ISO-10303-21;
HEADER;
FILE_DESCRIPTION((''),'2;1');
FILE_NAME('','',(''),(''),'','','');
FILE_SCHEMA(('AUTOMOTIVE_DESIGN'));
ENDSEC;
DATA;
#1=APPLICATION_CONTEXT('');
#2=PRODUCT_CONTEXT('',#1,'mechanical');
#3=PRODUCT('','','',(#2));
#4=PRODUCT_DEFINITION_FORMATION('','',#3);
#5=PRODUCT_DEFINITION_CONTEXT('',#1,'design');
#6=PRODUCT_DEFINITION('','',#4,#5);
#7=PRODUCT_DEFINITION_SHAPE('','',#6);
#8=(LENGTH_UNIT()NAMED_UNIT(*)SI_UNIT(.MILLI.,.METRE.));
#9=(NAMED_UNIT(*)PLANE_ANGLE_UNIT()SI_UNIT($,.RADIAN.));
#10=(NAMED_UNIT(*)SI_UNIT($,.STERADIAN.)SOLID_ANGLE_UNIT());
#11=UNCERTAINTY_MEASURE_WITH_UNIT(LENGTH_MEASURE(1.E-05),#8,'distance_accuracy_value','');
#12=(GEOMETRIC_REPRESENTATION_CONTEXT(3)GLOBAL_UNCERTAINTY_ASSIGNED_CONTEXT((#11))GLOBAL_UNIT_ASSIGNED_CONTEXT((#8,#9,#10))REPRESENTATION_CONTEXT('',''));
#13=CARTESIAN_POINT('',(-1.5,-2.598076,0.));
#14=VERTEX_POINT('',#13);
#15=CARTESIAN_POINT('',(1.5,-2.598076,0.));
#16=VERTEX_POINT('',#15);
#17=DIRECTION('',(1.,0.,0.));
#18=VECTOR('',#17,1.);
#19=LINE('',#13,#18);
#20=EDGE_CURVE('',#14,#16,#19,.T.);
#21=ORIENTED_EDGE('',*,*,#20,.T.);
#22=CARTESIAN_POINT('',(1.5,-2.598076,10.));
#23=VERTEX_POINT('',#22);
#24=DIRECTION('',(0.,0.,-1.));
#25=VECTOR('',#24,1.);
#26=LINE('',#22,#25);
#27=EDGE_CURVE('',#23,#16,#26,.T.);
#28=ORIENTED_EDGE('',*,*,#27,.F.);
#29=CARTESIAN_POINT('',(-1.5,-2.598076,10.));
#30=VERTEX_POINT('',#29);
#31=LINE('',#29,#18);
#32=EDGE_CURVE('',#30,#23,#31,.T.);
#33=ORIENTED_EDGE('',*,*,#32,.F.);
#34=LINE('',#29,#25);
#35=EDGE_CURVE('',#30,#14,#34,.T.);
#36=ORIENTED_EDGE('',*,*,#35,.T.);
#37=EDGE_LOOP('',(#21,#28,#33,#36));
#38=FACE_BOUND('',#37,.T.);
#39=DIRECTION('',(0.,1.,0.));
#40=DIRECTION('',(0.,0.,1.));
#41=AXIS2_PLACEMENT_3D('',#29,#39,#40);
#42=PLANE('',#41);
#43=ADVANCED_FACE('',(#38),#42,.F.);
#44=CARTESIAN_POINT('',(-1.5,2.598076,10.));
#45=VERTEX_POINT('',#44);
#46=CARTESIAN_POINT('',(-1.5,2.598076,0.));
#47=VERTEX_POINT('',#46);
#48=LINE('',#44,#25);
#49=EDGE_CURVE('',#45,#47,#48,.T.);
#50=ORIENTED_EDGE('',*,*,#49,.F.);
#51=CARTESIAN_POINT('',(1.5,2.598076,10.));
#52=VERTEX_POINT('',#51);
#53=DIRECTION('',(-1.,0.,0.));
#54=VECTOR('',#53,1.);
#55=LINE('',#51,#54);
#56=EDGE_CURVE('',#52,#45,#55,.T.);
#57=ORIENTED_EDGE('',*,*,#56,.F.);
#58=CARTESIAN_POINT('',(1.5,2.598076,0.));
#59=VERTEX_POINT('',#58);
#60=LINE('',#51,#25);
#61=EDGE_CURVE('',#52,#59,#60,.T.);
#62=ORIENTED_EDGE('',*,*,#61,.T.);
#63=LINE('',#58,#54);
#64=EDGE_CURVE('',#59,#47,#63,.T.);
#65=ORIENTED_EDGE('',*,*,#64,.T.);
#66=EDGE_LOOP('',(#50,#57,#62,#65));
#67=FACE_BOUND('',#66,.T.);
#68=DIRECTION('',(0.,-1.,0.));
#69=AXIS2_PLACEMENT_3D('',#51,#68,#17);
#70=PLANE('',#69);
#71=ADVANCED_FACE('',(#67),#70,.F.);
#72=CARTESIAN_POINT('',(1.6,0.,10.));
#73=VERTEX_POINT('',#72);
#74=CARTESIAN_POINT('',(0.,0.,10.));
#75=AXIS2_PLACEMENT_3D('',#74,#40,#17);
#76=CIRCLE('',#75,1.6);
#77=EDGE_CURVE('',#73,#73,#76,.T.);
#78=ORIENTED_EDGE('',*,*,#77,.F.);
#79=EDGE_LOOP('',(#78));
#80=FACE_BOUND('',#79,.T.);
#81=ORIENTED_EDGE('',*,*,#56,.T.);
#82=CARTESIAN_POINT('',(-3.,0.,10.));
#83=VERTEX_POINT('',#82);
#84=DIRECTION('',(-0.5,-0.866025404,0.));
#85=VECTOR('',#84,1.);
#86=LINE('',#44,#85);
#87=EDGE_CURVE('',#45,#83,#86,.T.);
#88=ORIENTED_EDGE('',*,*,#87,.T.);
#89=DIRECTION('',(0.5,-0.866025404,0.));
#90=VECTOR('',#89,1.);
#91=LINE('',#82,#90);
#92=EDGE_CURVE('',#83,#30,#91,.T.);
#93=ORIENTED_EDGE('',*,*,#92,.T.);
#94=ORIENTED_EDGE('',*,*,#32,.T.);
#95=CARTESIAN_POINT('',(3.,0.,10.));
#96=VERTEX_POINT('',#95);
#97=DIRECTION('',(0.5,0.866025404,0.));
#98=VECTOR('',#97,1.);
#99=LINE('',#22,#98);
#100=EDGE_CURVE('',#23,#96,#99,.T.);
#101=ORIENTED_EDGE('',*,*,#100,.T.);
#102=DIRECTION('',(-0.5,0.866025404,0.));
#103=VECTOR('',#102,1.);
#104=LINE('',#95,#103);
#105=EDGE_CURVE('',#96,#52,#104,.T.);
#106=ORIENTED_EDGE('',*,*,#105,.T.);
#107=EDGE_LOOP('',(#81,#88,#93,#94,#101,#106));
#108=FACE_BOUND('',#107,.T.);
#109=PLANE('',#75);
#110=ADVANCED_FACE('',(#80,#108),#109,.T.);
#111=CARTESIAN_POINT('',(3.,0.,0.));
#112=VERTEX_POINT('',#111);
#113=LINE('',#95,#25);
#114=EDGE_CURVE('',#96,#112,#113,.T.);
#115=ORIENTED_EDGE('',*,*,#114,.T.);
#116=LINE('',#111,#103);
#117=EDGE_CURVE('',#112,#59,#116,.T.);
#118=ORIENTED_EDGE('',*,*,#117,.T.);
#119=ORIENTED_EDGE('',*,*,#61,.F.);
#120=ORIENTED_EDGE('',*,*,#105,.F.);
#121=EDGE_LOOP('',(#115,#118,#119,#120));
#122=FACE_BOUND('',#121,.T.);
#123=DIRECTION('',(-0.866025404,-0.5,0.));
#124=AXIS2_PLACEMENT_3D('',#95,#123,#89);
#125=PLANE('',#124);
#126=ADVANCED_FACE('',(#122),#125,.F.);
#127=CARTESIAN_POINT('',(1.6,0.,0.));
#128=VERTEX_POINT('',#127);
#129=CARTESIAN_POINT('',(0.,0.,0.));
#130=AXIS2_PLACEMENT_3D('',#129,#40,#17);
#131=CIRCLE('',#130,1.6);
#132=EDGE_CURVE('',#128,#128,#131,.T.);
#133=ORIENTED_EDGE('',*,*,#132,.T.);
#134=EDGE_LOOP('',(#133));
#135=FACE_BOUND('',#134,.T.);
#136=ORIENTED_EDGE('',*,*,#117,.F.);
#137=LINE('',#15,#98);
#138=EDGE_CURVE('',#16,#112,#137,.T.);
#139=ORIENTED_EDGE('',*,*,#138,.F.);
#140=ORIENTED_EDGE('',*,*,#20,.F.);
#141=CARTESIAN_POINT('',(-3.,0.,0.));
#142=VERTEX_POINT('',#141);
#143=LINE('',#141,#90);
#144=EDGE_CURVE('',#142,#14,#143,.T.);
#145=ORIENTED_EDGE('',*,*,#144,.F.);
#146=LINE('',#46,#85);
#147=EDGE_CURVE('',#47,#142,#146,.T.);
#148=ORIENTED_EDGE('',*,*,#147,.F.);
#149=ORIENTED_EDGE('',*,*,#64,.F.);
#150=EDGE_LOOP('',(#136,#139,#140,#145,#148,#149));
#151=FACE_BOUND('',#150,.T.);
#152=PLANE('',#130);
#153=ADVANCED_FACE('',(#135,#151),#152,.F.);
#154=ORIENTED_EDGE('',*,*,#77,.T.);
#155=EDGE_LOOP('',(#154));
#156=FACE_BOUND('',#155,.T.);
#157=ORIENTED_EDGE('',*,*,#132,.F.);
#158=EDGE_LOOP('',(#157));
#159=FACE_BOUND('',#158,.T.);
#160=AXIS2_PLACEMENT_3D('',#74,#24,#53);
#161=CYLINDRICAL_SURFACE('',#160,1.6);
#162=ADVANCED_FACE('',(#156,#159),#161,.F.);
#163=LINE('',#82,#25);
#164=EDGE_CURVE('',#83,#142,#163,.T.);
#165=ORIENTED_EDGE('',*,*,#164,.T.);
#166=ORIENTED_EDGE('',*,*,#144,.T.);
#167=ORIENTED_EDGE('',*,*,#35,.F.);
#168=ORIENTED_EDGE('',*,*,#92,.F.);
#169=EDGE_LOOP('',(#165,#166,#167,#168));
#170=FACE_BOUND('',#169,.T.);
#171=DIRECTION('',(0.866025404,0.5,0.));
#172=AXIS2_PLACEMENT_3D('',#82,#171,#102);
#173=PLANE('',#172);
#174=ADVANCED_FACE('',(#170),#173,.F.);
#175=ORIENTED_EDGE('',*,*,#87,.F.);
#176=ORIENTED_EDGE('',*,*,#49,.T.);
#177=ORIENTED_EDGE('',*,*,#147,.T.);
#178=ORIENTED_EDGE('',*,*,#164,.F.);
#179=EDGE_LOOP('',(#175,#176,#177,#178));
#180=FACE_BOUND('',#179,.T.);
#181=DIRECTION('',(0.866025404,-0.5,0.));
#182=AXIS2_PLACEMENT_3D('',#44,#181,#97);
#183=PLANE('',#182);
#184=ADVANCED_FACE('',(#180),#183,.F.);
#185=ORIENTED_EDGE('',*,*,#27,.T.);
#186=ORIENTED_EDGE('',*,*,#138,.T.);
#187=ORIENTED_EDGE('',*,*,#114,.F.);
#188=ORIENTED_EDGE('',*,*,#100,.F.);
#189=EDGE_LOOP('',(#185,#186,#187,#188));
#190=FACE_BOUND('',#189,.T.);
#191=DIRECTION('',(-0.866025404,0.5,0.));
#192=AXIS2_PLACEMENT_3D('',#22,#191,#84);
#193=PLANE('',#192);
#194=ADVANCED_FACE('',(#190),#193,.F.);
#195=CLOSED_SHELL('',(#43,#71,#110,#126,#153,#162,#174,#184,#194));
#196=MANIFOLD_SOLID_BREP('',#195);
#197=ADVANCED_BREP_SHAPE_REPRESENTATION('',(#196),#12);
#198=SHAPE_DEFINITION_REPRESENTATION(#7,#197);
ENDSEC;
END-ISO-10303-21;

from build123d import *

# Parameters (mm, degrees)
SKETCH_1_R      = 1.6
EXTRUDE_1_DEPTH = 10


with BuildPart() as part:
    # 草图1 → 凸台-拉伸1 (new body)
    with BuildSketch(Plane.XY):
        Polygon((3, 0), (1.5, 2.598076211), (-1.5, 2.598076211), (-3, 0), (-1.5, -2.598076211), (1.5, -2.598076211), align=None)
        Circle(SKETCH_1_R, mode=Mode.SUBTRACT)
    extrude(amount=EXTRUDE_1_DEPTH)


solid = part.part
